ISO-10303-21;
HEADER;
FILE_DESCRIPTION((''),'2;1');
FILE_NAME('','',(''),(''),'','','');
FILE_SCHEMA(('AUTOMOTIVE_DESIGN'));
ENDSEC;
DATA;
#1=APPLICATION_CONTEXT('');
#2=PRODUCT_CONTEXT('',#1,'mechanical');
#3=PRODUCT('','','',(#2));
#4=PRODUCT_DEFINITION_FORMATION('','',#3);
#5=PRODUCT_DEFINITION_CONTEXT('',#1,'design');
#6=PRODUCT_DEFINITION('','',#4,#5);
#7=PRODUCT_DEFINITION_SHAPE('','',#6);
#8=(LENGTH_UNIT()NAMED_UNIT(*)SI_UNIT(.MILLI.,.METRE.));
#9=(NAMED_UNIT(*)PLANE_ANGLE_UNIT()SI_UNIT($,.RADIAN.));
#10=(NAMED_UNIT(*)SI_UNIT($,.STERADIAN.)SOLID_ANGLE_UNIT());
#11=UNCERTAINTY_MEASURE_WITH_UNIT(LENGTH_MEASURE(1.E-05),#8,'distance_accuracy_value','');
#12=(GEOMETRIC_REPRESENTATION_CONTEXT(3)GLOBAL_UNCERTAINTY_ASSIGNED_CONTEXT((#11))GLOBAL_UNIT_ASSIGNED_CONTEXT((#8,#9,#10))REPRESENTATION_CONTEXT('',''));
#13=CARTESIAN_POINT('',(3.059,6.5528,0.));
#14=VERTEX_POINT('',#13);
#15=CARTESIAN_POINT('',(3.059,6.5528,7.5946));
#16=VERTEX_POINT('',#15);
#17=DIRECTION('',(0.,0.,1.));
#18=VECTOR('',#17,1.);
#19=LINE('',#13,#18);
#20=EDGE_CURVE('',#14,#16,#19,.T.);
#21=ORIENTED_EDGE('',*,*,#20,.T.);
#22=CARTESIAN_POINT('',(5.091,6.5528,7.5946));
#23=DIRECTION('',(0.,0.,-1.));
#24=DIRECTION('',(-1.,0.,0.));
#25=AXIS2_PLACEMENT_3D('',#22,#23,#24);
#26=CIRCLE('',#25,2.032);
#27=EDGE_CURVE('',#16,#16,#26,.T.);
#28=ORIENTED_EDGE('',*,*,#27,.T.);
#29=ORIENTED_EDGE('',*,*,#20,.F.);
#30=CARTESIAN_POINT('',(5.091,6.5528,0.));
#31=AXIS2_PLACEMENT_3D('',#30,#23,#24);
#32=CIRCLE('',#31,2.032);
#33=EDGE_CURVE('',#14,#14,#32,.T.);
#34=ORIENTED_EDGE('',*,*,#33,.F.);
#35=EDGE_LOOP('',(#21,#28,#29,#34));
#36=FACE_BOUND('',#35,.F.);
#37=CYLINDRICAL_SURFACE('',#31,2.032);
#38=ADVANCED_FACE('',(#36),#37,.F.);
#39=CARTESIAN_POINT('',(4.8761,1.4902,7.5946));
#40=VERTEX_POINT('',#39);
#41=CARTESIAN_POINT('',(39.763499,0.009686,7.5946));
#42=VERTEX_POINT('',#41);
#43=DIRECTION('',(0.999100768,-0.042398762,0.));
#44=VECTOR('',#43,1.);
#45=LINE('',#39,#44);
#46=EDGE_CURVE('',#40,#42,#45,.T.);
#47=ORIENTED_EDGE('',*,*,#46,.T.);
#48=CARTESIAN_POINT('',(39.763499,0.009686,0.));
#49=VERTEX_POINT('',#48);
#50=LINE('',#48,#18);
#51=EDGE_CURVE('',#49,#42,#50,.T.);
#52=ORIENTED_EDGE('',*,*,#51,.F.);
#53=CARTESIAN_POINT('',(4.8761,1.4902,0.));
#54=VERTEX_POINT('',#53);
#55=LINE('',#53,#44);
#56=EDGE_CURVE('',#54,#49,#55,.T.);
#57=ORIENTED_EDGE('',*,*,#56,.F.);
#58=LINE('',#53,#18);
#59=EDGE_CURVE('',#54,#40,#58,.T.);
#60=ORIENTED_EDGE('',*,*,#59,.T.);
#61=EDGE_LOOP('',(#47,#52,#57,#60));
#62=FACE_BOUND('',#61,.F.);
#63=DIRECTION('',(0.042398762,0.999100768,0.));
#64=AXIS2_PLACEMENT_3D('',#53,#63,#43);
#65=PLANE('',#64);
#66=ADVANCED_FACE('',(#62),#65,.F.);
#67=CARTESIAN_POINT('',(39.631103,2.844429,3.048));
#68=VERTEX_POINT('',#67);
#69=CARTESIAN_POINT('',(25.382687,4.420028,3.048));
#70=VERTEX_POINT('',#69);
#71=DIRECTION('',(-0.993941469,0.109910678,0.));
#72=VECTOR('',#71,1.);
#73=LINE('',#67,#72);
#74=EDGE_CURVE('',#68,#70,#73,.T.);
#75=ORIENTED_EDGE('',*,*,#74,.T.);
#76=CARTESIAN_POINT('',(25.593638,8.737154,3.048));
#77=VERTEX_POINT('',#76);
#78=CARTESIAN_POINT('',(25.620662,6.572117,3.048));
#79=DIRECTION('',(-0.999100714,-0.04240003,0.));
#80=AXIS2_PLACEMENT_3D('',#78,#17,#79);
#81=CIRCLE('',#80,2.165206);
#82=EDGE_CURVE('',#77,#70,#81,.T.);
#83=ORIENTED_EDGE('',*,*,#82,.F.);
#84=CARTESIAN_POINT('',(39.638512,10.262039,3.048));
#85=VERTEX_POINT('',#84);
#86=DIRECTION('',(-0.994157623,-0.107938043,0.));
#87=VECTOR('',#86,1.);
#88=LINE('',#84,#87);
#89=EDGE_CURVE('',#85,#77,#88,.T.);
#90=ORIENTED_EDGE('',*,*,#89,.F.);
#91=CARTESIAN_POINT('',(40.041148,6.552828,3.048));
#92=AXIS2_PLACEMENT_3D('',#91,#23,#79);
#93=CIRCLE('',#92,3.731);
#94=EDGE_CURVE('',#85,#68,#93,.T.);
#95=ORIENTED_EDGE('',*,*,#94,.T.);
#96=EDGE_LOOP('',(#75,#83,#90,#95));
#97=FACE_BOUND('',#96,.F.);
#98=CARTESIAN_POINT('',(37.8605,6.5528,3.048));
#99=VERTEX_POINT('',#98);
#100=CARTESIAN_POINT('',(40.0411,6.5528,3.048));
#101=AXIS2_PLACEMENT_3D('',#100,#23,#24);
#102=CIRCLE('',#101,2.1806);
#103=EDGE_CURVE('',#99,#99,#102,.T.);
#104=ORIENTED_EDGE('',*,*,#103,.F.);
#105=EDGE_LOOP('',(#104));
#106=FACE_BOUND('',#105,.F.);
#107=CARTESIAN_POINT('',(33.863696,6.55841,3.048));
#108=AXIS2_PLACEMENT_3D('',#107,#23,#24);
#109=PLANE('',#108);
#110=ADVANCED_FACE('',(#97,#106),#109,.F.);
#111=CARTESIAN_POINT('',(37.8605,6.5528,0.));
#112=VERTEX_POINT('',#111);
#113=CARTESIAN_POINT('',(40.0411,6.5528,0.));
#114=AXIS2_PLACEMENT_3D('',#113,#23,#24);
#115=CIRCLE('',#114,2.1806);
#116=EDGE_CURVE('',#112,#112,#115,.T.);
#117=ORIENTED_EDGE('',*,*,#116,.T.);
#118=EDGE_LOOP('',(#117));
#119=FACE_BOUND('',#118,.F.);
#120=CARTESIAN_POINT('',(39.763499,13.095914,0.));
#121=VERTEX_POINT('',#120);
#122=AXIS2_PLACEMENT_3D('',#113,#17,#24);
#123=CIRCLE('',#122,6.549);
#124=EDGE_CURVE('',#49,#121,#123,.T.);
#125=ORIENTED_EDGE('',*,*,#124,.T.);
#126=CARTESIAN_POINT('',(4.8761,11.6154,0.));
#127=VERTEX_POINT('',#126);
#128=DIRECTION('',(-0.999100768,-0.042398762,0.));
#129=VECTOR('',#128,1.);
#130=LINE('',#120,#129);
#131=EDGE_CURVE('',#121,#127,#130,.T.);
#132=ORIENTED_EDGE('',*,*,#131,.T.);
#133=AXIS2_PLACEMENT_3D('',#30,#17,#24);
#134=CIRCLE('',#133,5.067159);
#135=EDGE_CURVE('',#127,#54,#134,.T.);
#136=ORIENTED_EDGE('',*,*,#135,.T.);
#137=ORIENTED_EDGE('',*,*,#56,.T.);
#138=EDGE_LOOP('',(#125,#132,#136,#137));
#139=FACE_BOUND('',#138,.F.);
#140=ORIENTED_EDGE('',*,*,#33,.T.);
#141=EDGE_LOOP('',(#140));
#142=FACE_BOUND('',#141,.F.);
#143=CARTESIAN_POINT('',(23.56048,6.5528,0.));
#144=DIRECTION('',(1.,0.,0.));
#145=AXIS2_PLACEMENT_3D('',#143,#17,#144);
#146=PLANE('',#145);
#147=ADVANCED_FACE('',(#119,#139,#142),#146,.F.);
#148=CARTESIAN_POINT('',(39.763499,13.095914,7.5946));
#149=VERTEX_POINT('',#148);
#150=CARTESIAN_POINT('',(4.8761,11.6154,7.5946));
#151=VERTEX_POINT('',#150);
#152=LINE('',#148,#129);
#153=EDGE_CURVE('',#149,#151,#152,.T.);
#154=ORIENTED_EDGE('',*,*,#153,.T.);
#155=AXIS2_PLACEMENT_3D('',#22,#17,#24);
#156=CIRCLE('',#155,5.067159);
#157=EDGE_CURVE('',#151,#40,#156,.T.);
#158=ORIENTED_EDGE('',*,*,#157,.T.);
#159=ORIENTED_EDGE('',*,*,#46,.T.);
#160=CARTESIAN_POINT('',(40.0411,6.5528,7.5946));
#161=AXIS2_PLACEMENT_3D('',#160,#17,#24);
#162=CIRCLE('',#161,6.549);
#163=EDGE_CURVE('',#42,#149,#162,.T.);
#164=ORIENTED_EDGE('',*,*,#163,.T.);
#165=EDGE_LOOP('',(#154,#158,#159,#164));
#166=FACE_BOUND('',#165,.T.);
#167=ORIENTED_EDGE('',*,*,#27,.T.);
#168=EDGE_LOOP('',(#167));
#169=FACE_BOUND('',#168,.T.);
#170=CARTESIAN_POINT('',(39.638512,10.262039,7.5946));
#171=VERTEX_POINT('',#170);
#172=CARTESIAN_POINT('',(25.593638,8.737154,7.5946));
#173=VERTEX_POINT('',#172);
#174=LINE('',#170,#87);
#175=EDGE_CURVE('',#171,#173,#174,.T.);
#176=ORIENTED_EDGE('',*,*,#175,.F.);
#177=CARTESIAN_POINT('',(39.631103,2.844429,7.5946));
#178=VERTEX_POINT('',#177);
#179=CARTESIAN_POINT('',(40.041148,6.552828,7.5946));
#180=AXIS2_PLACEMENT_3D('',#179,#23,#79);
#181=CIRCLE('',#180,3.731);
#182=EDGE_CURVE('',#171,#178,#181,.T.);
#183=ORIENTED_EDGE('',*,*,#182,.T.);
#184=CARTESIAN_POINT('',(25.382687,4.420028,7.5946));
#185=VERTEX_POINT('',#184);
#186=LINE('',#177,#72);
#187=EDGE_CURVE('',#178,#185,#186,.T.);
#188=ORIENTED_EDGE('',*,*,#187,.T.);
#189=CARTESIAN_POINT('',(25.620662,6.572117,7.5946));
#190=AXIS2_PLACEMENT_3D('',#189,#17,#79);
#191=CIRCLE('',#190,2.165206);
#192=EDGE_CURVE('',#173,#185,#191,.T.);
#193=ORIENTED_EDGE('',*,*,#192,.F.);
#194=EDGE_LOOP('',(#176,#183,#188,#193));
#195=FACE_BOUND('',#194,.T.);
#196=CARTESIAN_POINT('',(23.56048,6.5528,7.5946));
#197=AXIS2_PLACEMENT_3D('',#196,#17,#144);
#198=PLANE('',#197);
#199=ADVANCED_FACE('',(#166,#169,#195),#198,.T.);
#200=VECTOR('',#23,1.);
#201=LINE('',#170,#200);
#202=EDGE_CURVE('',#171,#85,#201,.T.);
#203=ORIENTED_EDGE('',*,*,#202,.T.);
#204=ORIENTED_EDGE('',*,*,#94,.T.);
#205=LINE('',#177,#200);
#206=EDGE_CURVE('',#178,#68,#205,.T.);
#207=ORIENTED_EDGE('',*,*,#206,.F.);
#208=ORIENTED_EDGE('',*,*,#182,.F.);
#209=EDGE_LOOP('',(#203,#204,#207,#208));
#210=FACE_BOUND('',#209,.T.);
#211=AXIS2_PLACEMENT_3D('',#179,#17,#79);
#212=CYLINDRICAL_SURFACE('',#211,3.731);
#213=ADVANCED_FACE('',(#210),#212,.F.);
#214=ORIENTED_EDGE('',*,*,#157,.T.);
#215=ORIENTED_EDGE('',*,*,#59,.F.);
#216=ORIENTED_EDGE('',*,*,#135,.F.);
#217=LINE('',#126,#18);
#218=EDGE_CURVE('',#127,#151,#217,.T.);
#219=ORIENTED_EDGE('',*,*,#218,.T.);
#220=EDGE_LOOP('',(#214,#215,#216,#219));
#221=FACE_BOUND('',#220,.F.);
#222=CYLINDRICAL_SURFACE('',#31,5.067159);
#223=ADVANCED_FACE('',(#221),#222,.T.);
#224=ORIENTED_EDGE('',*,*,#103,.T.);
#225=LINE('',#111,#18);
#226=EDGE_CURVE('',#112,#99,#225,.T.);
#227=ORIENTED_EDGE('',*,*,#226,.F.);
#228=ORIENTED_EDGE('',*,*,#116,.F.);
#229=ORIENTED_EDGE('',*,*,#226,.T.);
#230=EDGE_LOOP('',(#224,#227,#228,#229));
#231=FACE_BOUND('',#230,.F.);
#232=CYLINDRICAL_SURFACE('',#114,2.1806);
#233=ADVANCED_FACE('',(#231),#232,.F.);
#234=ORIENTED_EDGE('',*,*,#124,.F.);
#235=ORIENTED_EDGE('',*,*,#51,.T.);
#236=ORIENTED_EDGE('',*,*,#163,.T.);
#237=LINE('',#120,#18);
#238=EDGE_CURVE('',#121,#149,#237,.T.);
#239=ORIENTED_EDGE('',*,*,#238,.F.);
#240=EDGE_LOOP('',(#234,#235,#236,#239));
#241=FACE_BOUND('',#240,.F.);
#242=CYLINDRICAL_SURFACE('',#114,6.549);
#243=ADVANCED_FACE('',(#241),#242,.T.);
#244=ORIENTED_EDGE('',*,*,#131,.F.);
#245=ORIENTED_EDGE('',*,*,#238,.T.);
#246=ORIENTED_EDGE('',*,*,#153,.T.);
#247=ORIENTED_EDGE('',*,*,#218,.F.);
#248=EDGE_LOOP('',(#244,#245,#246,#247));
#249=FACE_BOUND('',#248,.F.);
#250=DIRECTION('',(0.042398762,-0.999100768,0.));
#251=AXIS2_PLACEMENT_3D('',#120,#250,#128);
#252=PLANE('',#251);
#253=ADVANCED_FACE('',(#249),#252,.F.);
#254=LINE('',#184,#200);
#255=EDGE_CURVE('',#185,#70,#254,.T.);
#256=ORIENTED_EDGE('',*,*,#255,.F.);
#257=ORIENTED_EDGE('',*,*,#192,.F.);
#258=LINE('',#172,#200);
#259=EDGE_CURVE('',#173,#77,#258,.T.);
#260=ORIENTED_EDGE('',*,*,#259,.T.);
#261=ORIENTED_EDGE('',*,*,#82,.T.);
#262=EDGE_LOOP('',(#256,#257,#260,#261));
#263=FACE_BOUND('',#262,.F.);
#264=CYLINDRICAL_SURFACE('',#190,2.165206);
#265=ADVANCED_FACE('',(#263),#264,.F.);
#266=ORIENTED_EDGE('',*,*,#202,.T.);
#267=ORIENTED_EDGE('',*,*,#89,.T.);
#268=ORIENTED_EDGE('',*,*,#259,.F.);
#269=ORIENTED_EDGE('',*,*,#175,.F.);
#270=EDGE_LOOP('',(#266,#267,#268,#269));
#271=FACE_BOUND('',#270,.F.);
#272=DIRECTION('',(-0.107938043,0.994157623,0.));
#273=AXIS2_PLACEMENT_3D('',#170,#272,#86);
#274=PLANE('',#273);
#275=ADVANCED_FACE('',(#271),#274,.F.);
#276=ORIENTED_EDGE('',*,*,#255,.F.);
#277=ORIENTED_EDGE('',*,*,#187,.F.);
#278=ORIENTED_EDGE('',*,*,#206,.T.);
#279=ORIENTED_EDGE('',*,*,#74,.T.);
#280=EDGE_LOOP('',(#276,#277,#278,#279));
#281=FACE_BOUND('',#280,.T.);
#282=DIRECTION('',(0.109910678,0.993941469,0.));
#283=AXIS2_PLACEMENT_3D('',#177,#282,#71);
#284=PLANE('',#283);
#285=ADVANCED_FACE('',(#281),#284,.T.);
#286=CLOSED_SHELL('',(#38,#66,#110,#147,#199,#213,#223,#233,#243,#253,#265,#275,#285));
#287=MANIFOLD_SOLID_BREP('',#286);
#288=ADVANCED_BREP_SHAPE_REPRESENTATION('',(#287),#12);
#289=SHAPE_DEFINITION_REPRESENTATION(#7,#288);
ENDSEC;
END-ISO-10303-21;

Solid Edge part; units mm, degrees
sketch "Sketch1" plane through (0, 0, 0) normal (0, 0, -1) x (-1, 0, 0)
  circle A0 centre (-5.091, 6.5528) radius 2.032
  circle A1 centre (-40.0411, 6.5528) radius 2.1806
  line L0 (-39.7635, 13.0959) -> (-4.8761, 11.6154)
  line L1 (-4.8761, 1.4902) -> (-39.7635, 0.0097)
  arc A2 (-39.7635, 0.0097) -> (-39.7635, 13.0959) centre (-40.0411, 6.5528) cw
  arc A3 (-4.8761, 11.6154) -> (-4.8761, 1.4902) centre (-5.091, 6.5528) cw
extrude "Protrusion1" add sketch "Sketch1" against normal blind 7.5946
sketch "Sketch2" plane through (23.307, 6.5528, 7.5946) normal (0, 0, 1) x (-0.9991, -0.0424, 0)
  line L0 (-16.1522, 4.3971) -> (-1.9834, 2.2188)
  arc A0 (-2.3772, -2.0855) -> (-1.9834, 2.2188) centre (-2.3124, 0.0788) ccw
  line L1 (-16.4741, -3.0134) -> (-2.3772, -2.0855)
  arc A1 (-16.4741, -3.0134) -> (-16.1522, 4.3971) centre (-16.7191, 0.7095) cw
extrude "Enlèvement_matière_1" cut sketch "Sketch2" against normal blind 4.5466
properties part number "AC_1.08"
